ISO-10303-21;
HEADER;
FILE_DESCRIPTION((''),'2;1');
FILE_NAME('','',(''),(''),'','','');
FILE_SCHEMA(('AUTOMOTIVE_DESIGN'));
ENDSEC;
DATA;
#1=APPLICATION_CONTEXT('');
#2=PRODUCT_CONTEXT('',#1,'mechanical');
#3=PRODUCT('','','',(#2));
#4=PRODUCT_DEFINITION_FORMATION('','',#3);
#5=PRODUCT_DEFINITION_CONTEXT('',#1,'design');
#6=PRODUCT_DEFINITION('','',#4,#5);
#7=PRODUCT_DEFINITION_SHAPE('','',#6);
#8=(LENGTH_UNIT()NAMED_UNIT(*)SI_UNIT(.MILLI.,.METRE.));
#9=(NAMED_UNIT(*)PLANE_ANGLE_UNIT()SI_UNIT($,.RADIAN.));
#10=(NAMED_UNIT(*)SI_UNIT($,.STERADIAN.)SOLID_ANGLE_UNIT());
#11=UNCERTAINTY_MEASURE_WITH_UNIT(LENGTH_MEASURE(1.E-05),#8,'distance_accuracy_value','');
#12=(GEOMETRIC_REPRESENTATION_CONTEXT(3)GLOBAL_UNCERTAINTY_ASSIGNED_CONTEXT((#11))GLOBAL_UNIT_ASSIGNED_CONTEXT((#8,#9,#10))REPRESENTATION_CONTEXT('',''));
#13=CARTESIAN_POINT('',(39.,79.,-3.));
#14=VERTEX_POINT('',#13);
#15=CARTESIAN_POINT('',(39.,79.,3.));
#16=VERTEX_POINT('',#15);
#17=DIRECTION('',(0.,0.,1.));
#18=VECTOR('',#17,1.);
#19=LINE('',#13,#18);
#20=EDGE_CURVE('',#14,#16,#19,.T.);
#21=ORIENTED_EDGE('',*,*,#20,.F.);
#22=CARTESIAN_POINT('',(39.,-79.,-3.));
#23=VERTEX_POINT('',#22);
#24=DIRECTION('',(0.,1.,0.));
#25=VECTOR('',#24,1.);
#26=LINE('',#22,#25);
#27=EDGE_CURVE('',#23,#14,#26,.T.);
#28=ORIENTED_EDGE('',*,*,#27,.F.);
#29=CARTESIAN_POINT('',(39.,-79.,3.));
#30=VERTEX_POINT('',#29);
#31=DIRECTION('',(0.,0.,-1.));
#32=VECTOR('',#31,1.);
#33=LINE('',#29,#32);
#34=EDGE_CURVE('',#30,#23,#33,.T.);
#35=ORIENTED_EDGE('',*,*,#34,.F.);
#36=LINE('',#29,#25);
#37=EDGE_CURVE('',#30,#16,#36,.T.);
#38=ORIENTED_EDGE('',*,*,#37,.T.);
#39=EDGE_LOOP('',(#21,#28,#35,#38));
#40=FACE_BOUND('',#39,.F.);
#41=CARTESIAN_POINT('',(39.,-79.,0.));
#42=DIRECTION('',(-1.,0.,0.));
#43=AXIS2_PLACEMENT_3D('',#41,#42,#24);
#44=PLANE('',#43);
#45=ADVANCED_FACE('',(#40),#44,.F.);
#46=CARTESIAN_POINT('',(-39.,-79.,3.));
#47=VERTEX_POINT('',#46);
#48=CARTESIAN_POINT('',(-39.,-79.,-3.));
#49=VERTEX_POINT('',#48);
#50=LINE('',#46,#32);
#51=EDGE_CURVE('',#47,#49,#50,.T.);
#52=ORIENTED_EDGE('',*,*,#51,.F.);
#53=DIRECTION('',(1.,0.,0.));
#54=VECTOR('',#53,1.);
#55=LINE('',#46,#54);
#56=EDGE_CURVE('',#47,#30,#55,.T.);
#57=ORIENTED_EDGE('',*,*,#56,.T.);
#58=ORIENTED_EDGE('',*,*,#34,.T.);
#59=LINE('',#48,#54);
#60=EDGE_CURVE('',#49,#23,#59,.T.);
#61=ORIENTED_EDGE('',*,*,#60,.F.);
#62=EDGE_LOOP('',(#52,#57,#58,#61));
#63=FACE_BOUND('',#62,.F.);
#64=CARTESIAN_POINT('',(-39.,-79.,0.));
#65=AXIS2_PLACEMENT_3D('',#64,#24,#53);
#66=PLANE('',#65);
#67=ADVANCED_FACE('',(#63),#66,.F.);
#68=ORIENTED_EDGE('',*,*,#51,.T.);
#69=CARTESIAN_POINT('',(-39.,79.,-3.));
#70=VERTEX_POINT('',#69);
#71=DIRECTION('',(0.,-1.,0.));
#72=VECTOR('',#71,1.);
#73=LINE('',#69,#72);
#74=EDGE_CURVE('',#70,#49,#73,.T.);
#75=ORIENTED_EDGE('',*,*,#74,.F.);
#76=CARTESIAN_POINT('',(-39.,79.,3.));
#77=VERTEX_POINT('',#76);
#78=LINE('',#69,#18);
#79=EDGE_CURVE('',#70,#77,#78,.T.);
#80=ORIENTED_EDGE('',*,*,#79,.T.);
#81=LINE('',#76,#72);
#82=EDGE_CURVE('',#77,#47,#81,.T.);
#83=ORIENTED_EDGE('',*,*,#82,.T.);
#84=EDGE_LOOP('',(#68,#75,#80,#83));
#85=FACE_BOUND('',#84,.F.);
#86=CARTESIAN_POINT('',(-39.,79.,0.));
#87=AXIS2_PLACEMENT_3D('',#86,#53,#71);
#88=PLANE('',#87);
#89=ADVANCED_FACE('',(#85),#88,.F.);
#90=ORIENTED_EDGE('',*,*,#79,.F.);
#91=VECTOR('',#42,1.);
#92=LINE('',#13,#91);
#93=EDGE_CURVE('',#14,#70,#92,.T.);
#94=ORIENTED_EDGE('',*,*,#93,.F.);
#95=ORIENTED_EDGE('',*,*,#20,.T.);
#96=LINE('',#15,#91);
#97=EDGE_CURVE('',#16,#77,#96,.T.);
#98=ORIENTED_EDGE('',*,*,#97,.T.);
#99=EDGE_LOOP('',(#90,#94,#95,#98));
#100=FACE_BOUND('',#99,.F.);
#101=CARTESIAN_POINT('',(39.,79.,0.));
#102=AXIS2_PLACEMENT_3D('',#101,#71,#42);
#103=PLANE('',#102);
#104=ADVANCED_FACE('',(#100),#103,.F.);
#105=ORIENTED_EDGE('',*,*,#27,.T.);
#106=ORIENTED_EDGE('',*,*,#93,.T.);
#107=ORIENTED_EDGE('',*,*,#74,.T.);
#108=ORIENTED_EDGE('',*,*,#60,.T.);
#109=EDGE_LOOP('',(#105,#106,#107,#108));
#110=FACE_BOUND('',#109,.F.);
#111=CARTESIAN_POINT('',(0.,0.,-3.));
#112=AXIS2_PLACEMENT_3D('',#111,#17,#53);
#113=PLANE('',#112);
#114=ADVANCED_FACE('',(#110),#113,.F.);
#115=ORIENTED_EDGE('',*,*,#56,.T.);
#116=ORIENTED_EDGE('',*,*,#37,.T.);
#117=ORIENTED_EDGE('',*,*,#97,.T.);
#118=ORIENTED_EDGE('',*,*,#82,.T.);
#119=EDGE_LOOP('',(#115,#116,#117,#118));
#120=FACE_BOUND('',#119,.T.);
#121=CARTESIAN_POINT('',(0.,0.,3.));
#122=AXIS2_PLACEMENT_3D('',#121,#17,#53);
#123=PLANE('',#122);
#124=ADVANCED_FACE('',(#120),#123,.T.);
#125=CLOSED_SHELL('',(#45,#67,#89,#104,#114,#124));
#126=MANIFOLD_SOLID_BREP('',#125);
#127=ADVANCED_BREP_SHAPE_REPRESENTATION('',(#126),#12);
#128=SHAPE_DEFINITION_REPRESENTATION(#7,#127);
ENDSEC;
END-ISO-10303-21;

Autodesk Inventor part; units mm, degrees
ref_plane "YZ Plane" through (0, 0, 0) normal (1, 0, 0) x (0, 1, 0)
ref_plane "XZ Plane" through (0, 0, 0) normal (0, 1, 0) x (-1, 0, 0)
ref_plane "XY Plane" through (0, 0, 0) normal (0, 0, 1) x (1, 0, 0)
sketch "Szkic1" plane through (0, 0, 0) normal (0, 0, 1) x (1, 0, 0)
  line L0 (39, 79) -> (-39, 79)
  line L1 (-39, 79) -> (-39, -79)
  line L2 (-39, -79) -> (39, -79)
  line L3 (39, -79) -> (39, 79)
  line L4 (39, 79) -> (-39, -79) construction
  line L5 (-39, 79) -> (39, -79) construction
  point P0 (0, 0)
  dimension "d0" = 78
  dimension "d1" = 158
extrude "Wyciągnięcie proste1" add sketch "Szkic1" along normal mid plane 6
properties part number "Door"
